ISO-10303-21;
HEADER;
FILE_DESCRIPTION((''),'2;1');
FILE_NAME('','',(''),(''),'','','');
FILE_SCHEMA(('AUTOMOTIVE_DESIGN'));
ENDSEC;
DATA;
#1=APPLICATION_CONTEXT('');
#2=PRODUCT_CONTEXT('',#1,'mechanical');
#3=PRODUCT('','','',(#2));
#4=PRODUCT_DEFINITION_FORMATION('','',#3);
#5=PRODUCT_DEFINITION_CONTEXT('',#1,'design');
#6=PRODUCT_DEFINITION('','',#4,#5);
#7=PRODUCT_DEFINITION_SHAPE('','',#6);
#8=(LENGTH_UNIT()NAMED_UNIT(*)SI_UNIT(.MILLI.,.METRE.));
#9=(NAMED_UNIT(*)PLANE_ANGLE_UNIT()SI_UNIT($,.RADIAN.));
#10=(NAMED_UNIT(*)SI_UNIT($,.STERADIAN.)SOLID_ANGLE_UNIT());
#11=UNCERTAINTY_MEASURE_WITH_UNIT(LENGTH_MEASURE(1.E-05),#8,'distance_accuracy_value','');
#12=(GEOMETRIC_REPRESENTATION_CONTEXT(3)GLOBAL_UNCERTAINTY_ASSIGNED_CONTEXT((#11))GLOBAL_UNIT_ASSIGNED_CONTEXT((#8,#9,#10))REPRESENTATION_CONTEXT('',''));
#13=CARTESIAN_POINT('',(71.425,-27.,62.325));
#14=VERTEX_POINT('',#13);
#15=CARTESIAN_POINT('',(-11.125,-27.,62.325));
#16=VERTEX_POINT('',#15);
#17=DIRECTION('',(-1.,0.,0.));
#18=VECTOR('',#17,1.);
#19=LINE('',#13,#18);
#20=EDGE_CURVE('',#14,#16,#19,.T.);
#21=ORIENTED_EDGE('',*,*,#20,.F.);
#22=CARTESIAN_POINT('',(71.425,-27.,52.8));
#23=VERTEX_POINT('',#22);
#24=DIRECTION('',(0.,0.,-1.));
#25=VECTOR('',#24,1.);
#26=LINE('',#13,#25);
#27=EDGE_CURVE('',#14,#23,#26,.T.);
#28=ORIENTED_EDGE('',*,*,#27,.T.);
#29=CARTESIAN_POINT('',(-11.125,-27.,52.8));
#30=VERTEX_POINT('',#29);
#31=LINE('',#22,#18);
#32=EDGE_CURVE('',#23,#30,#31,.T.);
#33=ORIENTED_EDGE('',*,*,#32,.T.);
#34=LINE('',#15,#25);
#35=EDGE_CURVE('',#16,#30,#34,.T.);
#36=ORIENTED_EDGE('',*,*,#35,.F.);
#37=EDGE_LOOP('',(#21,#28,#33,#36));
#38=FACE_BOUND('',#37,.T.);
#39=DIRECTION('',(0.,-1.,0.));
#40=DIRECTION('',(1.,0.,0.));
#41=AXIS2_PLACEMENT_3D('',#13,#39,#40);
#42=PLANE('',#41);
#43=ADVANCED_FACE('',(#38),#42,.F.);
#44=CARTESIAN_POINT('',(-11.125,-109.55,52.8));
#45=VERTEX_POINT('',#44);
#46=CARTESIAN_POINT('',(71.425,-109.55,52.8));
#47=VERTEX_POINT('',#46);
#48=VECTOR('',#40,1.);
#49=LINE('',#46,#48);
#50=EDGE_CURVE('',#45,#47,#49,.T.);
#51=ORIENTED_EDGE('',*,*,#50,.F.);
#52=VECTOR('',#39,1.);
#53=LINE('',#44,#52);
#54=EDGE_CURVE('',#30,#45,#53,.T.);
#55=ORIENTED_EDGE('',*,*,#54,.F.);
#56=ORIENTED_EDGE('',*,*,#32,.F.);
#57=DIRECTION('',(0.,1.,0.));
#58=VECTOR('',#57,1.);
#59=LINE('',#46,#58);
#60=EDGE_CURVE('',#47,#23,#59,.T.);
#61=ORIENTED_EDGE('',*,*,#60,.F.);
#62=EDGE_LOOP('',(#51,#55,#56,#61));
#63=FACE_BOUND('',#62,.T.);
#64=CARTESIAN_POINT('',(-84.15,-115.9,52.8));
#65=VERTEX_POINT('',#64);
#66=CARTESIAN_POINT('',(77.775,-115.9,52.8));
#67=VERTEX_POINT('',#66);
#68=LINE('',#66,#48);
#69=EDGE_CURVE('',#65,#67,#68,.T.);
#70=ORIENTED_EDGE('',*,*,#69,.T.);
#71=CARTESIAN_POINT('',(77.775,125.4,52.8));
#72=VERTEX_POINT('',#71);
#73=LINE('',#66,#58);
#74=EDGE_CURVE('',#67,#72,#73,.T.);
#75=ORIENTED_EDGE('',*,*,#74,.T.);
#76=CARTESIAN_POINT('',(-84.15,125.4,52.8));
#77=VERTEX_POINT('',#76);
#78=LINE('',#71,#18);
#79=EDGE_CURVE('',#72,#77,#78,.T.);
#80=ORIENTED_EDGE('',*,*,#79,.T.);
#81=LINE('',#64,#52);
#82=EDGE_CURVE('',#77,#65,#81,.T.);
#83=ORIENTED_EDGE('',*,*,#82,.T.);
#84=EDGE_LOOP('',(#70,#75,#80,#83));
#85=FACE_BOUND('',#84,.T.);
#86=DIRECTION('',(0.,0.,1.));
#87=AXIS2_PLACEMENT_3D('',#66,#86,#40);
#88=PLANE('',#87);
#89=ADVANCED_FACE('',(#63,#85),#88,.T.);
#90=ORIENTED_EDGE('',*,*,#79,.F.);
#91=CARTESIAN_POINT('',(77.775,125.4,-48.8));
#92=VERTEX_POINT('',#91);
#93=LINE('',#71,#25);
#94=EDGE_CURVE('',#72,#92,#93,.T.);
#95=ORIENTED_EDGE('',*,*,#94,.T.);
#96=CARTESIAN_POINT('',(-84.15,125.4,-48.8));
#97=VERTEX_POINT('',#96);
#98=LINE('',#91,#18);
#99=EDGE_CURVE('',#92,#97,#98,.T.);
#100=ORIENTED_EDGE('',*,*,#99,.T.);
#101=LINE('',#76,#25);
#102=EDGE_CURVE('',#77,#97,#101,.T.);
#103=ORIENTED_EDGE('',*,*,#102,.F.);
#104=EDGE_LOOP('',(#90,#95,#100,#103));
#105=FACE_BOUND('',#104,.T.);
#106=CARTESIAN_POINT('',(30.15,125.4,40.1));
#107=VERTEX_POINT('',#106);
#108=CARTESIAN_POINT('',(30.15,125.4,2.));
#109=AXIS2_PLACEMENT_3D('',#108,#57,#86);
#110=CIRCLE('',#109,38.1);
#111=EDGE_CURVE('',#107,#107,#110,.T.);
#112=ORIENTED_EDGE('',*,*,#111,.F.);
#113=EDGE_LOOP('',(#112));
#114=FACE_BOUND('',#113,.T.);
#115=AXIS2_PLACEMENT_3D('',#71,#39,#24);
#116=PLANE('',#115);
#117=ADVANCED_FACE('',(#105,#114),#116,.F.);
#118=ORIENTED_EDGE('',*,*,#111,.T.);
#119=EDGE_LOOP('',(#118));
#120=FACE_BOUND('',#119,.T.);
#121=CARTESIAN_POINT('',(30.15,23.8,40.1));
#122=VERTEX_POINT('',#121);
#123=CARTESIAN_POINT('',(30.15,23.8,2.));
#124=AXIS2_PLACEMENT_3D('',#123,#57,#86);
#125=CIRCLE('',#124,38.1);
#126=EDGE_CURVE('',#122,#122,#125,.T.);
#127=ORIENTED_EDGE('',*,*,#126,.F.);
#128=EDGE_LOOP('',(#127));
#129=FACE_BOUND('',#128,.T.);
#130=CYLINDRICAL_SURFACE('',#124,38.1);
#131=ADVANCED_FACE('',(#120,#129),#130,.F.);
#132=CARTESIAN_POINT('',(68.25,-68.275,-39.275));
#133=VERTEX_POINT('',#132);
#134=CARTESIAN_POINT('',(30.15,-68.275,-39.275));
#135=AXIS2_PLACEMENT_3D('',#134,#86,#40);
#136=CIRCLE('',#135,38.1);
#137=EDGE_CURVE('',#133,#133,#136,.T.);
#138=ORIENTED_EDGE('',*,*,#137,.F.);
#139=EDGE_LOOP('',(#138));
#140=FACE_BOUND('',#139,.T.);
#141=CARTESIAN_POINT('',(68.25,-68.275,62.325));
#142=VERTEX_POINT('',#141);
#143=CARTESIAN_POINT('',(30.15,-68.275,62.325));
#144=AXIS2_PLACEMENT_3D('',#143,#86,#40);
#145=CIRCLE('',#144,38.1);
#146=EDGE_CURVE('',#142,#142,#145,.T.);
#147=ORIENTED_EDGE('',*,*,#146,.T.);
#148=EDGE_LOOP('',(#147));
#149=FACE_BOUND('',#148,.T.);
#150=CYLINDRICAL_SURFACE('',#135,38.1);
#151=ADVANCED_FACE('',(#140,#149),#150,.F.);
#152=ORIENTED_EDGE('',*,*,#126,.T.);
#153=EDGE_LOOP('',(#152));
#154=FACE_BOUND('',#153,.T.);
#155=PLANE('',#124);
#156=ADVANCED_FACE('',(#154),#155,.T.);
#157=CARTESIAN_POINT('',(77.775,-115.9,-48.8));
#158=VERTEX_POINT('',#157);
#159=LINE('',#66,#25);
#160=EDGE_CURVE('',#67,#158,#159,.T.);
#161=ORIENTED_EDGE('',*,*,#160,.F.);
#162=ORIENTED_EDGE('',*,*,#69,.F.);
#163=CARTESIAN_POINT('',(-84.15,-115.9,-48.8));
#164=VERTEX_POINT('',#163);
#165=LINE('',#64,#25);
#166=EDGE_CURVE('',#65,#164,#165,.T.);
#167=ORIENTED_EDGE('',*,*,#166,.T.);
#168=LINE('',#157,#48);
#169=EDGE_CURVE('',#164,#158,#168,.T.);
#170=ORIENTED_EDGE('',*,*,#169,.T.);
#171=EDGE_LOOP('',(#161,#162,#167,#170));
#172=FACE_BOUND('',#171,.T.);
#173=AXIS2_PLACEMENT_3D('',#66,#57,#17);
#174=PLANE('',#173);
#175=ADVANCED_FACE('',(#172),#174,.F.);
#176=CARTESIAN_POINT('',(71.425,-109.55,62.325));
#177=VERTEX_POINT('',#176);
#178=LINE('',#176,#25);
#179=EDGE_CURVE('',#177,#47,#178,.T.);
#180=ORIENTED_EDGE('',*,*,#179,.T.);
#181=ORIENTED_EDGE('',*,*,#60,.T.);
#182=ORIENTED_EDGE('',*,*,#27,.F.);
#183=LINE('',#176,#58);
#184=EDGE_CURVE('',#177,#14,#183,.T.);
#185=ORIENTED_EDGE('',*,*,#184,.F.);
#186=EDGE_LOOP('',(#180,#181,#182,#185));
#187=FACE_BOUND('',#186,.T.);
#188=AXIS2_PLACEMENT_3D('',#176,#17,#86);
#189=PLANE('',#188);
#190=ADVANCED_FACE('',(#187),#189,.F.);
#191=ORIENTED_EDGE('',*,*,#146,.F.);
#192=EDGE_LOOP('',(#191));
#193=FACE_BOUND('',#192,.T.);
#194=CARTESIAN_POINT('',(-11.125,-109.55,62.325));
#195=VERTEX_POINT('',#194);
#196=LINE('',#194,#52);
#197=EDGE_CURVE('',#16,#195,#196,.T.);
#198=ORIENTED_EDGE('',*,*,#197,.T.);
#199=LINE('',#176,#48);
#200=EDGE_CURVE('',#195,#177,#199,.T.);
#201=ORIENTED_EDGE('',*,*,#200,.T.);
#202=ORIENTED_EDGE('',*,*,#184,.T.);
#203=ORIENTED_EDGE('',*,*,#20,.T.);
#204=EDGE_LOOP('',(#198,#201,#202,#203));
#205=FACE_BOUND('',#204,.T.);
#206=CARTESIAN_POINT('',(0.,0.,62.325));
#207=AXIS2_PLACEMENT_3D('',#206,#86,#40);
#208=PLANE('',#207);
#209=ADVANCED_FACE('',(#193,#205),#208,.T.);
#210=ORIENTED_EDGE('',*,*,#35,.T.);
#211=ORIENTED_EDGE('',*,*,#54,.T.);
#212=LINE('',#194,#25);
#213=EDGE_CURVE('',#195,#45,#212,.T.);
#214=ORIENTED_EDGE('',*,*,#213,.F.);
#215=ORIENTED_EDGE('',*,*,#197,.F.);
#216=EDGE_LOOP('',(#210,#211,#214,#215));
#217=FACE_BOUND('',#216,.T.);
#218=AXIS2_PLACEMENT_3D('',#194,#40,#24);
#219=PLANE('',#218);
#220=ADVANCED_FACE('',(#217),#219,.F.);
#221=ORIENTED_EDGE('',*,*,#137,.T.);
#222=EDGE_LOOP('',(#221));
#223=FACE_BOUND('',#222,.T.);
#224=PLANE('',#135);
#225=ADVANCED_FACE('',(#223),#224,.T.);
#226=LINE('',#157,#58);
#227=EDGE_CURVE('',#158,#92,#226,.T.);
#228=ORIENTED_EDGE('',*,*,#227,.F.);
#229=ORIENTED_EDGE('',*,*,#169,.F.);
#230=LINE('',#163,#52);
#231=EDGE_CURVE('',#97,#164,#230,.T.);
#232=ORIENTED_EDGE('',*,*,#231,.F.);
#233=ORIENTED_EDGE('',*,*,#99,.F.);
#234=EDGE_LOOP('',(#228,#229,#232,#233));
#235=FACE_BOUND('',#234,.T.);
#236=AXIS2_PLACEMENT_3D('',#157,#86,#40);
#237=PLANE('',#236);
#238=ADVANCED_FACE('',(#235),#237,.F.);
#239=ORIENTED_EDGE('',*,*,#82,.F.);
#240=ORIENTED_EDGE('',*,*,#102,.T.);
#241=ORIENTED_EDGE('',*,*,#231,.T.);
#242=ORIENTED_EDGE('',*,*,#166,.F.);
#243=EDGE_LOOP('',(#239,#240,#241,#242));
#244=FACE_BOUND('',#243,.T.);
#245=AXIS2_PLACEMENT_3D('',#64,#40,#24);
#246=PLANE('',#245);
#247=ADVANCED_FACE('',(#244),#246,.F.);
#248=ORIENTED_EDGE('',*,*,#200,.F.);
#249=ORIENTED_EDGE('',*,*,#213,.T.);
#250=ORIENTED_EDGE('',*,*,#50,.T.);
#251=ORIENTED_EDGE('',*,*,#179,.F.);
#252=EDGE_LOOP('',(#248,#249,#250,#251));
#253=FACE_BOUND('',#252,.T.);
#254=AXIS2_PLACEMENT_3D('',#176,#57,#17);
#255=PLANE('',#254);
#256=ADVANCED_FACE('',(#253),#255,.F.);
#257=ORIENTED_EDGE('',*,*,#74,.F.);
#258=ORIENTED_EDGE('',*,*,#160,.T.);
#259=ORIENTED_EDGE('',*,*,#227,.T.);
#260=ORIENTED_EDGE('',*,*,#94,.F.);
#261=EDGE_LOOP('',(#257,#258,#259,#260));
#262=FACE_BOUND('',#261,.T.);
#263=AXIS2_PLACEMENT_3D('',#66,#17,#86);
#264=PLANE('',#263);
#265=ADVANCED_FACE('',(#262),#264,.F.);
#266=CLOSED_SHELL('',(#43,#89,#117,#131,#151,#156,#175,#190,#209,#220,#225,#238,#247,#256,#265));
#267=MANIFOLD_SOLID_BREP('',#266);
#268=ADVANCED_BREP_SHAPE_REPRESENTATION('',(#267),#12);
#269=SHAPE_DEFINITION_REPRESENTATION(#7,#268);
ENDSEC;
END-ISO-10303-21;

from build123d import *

# Parameters (mm, degrees)
SKETCH1_W           = 6.375
SKETCH1_H           = 9.5
BOSS_EXTRUDE1_DEPTH = 4
SCALE1_SCALE        = 25.4
SKETCH3_W           = 82.55
SKETCH3_H           = 82.55
BOSS_EXTRUDE2_DEPTH = 9.525
SKETCH4_R           = 38.1
CUT_EXTRUDE1_DEPTH  = 101.6
SKETCH5_R           = 38.1
CUT_EXTRUDE2_DEPTH  = 101.6


with BuildPart() as part:
    # Sketch1 → Boss-Extrude1 (new body)
    with BuildSketch(Plane.XY):
        with Locations((-3.1875, 4.75)):
            Rectangle(SKETCH1_W, SKETCH1_H)
    extrude(amount=BOSS_EXTRUDE1_DEPTH)


with BuildPart() as part_1:
    # Scale1: scaled about (-3.1875, 4.75, 2)
    add(part.part.scale(SCALE1_SCALE).moved(Location((77.775, -115.9, -48.8))))

    # Sketch3 → Boss-Extrude2 (add)
    with BuildSketch(Plane.XY.offset(52.8)):
        with Locations((30.15, -68.275)):
            Rectangle(SKETCH3_W, SKETCH3_H)
    extrude(amount=BOSS_EXTRUDE2_DEPTH)

    # Sketch4 → Cut-Extrude1 (cut)
    with BuildSketch(Plane.XY.offset(62.325)):
        with Locations((30.15, -68.275)):
            Circle(SKETCH4_R)
    extrude(amount=-CUT_EXTRUDE1_DEPTH, mode=Mode.SUBTRACT)

    # Sketch5 → Cut-Extrude2 (cut)
    with BuildSketch(Plane(origin=(0, 125.4, 0), x_dir=(1, 0, 0), z_dir=(0, 1, 0))):
        with Locations((30.15, -2)):
            Circle(SKETCH5_R)
    extrude(amount=-CUT_EXTRUDE2_DEPTH, mode=Mode.SUBTRACT)


solid = part_1.part
